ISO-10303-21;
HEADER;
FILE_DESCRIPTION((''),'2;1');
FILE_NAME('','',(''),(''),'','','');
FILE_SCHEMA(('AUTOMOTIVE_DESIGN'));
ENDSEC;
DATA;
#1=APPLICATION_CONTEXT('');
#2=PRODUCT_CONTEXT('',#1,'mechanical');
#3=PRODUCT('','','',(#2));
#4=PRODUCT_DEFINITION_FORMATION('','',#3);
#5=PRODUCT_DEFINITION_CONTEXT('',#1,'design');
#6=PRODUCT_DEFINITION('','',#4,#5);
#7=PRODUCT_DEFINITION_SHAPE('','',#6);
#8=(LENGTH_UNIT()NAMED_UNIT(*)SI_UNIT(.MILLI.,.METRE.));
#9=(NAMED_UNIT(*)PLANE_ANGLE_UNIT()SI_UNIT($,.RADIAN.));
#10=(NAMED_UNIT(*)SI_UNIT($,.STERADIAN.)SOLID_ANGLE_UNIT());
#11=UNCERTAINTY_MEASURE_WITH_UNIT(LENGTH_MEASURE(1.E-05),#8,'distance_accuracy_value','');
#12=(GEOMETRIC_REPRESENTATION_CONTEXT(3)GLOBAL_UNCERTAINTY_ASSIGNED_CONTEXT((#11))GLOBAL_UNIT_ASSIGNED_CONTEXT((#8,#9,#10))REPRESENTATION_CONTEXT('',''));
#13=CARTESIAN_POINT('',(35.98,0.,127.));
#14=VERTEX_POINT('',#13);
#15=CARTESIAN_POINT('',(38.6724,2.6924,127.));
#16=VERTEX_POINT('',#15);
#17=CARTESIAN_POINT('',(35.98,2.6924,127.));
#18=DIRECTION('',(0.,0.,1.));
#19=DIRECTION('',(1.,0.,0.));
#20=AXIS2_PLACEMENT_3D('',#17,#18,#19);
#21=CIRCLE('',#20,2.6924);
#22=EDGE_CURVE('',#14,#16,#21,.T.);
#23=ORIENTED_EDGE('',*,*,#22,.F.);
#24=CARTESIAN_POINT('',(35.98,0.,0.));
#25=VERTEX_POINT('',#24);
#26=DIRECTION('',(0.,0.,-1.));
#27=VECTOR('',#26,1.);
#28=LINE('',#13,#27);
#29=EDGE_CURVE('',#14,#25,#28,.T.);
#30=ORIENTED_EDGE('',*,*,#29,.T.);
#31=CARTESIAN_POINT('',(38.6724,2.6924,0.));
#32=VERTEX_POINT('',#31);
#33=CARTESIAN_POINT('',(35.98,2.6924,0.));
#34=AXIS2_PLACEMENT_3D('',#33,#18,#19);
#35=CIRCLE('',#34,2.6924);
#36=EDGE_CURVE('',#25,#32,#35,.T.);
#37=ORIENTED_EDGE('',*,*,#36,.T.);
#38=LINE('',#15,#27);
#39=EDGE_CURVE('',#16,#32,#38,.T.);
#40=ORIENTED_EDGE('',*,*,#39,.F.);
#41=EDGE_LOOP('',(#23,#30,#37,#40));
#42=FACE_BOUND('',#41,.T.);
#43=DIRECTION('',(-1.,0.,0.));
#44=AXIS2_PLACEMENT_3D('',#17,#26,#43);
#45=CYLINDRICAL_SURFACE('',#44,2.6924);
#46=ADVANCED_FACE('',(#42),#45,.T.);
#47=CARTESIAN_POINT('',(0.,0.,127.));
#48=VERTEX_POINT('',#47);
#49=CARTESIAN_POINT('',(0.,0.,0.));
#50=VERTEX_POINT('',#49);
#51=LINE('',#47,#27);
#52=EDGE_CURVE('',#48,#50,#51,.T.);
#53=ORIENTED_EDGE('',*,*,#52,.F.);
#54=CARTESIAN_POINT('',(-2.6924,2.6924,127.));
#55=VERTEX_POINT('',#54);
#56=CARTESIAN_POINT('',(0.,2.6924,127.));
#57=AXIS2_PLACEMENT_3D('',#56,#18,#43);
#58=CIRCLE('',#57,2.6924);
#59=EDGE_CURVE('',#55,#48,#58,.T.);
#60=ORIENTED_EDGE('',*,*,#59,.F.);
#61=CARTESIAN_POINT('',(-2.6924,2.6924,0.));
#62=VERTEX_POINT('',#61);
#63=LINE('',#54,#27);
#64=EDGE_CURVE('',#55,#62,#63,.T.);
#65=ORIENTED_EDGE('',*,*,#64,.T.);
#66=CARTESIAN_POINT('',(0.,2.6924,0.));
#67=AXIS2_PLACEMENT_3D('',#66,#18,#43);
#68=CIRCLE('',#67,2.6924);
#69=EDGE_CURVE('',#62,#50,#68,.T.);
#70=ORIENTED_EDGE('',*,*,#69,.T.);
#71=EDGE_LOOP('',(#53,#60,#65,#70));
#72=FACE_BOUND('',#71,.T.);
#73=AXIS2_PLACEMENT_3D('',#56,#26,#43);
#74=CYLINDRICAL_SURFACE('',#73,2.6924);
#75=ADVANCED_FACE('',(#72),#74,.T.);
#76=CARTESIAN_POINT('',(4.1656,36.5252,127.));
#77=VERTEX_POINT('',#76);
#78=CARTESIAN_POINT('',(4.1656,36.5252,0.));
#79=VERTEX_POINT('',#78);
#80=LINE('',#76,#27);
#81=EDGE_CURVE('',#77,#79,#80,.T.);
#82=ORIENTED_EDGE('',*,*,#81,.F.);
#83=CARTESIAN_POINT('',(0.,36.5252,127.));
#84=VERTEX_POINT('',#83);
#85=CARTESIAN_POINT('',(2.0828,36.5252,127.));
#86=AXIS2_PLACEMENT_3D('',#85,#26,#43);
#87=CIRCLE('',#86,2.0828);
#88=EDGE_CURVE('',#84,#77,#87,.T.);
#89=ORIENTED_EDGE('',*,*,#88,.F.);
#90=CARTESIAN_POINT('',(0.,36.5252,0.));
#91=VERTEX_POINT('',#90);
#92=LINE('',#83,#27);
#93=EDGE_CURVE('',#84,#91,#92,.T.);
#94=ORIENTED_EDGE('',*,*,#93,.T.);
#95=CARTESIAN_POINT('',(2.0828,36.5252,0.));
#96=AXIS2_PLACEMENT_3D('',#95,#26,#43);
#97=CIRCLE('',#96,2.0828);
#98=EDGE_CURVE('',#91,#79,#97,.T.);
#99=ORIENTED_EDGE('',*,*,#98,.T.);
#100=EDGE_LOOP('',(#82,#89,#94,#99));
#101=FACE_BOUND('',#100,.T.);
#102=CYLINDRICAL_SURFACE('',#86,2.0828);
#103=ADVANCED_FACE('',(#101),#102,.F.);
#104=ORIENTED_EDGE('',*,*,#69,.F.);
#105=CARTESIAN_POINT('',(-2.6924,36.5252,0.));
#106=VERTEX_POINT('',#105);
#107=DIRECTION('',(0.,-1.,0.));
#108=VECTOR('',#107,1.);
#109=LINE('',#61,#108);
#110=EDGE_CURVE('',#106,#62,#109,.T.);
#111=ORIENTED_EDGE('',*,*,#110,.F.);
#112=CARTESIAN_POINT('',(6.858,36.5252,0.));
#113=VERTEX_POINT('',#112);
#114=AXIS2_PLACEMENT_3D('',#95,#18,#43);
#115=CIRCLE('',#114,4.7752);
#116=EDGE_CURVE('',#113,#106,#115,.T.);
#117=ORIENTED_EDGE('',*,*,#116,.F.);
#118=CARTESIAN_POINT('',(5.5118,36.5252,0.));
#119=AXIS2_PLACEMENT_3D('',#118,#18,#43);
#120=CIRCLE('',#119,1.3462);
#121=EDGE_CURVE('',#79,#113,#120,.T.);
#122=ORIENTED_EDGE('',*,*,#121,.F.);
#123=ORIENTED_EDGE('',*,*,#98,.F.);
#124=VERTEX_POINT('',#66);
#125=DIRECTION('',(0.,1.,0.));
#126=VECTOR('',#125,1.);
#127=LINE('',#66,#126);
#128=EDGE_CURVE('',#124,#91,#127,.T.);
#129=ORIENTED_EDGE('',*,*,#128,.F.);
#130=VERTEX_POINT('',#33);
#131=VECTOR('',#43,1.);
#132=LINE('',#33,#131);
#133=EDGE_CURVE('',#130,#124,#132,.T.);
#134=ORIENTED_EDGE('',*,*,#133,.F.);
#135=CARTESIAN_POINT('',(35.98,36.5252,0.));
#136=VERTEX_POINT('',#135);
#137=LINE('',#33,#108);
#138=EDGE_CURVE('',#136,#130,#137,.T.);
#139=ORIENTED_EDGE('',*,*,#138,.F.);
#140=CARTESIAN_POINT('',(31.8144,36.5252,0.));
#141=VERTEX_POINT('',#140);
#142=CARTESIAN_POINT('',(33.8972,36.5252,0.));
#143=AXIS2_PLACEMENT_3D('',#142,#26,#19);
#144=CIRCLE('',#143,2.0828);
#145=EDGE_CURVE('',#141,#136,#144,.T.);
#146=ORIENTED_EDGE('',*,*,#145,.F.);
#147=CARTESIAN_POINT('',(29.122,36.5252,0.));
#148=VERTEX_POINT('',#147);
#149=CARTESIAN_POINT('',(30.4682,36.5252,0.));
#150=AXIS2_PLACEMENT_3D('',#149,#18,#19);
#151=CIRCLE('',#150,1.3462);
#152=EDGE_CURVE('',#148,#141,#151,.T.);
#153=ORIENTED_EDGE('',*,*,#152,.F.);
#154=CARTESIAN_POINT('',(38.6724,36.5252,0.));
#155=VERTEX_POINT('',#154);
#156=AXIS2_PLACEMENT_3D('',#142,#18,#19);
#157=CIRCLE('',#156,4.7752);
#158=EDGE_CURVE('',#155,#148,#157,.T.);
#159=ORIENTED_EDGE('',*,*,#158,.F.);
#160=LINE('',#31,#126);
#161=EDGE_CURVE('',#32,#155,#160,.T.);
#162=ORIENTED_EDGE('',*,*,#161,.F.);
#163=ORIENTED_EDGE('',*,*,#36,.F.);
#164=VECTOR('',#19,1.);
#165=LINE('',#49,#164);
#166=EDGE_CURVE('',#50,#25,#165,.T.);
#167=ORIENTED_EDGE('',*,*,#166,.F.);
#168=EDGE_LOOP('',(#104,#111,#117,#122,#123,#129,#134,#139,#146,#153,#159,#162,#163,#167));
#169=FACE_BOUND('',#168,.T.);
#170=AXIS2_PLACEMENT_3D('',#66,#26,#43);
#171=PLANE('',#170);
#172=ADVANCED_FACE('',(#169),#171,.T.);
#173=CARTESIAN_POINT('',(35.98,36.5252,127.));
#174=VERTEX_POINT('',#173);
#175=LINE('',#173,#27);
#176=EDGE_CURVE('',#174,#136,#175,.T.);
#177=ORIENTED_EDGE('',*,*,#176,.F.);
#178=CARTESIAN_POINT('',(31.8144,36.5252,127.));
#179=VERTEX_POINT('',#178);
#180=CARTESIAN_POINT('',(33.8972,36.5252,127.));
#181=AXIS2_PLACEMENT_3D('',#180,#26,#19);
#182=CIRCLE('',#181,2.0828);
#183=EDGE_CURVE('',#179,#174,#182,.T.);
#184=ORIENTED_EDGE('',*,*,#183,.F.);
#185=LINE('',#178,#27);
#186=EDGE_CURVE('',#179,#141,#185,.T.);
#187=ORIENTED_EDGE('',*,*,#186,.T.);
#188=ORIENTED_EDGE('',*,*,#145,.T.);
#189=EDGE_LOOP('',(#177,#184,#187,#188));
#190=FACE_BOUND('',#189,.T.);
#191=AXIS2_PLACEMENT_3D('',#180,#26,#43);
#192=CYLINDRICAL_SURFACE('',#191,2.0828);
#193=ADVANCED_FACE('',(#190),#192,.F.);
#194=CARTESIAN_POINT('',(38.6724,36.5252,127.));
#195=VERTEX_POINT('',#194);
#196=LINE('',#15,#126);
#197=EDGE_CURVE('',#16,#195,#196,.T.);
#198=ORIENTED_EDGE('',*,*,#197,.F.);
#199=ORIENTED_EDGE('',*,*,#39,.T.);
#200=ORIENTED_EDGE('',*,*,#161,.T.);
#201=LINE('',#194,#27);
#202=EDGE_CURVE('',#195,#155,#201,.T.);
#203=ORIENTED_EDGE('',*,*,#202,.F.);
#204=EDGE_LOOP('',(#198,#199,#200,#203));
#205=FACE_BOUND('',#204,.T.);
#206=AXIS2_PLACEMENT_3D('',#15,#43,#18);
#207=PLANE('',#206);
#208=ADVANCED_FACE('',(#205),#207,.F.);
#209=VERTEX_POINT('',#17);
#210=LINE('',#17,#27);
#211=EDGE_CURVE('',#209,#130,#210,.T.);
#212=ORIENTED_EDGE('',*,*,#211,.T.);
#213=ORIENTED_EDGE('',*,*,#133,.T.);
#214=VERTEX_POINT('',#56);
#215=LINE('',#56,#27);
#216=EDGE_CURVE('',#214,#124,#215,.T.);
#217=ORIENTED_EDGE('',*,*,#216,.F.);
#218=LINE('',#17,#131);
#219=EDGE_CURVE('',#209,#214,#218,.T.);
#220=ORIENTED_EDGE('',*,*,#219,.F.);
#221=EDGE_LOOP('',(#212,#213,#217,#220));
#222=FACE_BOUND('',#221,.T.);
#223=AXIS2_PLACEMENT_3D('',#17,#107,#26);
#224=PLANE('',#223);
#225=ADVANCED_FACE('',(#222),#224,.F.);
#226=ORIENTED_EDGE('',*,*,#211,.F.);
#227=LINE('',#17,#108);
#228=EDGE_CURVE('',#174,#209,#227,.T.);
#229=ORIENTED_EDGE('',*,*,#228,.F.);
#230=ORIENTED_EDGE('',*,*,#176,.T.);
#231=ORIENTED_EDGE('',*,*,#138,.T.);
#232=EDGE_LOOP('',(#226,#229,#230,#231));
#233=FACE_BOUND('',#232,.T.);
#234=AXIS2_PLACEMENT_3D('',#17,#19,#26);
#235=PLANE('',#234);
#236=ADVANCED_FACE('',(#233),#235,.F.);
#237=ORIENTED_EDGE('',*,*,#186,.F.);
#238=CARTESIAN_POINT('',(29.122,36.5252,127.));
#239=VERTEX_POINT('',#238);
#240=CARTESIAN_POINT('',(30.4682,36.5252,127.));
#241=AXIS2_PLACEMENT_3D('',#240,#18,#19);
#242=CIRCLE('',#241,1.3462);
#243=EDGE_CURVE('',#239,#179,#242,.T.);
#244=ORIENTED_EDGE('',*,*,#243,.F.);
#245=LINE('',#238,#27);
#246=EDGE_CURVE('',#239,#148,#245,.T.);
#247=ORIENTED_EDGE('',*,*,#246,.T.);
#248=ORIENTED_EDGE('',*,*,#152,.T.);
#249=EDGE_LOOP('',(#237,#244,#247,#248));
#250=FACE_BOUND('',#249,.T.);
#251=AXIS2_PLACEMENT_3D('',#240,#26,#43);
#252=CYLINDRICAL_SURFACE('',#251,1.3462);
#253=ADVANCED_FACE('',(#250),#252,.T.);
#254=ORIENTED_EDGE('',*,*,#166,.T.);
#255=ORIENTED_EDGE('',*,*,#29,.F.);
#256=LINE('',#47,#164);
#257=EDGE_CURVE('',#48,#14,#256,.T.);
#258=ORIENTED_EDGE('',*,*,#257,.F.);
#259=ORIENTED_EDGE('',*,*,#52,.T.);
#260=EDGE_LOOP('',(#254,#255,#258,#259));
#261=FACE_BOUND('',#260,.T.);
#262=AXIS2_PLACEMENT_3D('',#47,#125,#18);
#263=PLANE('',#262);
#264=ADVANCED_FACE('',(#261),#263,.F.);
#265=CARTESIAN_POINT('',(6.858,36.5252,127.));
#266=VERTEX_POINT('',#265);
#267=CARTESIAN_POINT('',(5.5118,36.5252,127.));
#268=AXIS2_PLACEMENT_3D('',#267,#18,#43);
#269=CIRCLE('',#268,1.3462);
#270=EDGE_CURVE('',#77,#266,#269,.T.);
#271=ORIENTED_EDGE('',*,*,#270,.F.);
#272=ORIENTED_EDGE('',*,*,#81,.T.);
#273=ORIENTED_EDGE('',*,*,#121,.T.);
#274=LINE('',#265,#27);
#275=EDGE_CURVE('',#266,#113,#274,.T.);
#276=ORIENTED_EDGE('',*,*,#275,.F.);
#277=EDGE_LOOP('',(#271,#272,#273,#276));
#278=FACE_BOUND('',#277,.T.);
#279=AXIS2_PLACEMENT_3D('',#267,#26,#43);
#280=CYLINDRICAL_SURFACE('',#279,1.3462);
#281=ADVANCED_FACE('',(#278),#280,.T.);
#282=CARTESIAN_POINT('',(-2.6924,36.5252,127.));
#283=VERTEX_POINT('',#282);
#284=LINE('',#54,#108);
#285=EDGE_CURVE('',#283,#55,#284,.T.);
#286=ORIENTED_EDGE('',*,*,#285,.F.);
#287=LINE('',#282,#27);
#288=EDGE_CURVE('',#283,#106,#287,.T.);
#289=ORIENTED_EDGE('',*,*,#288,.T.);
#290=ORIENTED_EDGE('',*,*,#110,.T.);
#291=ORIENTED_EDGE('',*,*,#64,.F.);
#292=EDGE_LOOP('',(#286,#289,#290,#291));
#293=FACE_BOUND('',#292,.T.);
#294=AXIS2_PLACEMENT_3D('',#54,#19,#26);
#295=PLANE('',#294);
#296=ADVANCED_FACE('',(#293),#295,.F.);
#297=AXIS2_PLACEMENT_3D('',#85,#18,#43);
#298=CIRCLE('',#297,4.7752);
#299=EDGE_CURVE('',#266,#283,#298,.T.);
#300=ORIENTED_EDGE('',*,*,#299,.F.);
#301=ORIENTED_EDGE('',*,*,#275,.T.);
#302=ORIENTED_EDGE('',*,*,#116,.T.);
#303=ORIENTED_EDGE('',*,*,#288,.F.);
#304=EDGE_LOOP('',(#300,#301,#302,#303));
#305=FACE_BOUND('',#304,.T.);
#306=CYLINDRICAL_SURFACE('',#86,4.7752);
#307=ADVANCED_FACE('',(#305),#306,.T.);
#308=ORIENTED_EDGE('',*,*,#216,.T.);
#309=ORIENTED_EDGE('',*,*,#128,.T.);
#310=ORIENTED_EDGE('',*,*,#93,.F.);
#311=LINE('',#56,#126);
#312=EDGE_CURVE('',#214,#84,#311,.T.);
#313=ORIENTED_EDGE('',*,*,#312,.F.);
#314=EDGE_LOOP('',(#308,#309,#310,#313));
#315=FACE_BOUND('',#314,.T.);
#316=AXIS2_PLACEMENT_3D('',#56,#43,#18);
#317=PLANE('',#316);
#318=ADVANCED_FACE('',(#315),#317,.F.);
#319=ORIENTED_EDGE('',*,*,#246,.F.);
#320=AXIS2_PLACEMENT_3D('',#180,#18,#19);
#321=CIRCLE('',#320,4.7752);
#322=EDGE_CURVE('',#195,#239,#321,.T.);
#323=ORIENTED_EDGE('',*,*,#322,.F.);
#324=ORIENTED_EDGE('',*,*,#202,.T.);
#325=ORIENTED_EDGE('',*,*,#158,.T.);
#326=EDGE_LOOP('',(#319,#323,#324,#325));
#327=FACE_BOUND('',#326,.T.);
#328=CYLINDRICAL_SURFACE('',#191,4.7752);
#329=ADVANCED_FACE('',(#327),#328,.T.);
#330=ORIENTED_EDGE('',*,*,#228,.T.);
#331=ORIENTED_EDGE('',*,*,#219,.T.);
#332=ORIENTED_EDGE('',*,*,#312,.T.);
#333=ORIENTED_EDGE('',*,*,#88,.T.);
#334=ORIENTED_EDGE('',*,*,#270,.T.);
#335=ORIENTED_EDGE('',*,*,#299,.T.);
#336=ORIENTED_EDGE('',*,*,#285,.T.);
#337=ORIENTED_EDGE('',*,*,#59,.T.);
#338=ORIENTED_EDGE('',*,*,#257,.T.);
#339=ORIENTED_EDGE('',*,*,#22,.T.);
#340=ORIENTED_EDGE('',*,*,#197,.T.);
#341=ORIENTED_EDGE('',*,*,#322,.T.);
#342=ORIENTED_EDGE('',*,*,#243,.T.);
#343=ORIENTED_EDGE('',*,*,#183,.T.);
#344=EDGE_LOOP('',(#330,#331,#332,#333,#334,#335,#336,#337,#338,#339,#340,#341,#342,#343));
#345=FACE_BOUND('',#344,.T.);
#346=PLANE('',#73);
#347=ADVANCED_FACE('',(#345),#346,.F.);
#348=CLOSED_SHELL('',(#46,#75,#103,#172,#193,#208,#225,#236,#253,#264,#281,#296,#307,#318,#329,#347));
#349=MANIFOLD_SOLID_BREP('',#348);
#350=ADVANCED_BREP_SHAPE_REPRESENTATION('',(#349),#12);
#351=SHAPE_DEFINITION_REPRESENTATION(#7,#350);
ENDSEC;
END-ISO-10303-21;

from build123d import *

# Parameters (mm, degrees)
BOSS_EXTRUDE1_DEPTH = 127


with BuildPart() as part:
    # Sketch1 → Boss-Extrude1 (new body)
    with BuildSketch(Plane.XY):
        with BuildLine():
            Line((0, 0), (35.98, 0))
            ThreePointArc((35.98, 0), (37.883814298, 0.788585702), (38.6724, 2.6924))
            Line((38.6724, 2.6924), (38.6724, 36.5252))
            ThreePointArc((38.6724, 36.5252), (33.8972, 41.3004), (29.122, 36.5252))
            ThreePointArc((29.122, 36.5252), (30.4682, 35.179), (31.8144, 36.5252))
            ThreePointArc((31.8144, 36.5252), (33.8972, 38.608), (35.98, 36.5252))
            Line((35.98, 36.5252), (35.98, 2.6924))
            Line((35.98, 2.6924), (0, 2.6924))
            Line((0, 2.6924), (0, 36.5252))
            ThreePointArc((0, 36.5252), (2.0828, 38.608), (4.1656, 36.5252))
            ThreePointArc((4.1656, 36.5252), (5.5118, 35.179), (6.858, 36.5252))
            ThreePointArc((6.858, 36.5252), (2.0828, 41.3004), (-2.6924, 36.5252))
            Line((-2.6924, 36.5252), (-2.6924, 2.6924))
            ThreePointArc((-2.6924, 2.6924), (-1.903814298, 0.788585702), (0, 0))
        make_face()
    extrude(amount=BOSS_EXTRUDE1_DEPTH)


solid = part.part
